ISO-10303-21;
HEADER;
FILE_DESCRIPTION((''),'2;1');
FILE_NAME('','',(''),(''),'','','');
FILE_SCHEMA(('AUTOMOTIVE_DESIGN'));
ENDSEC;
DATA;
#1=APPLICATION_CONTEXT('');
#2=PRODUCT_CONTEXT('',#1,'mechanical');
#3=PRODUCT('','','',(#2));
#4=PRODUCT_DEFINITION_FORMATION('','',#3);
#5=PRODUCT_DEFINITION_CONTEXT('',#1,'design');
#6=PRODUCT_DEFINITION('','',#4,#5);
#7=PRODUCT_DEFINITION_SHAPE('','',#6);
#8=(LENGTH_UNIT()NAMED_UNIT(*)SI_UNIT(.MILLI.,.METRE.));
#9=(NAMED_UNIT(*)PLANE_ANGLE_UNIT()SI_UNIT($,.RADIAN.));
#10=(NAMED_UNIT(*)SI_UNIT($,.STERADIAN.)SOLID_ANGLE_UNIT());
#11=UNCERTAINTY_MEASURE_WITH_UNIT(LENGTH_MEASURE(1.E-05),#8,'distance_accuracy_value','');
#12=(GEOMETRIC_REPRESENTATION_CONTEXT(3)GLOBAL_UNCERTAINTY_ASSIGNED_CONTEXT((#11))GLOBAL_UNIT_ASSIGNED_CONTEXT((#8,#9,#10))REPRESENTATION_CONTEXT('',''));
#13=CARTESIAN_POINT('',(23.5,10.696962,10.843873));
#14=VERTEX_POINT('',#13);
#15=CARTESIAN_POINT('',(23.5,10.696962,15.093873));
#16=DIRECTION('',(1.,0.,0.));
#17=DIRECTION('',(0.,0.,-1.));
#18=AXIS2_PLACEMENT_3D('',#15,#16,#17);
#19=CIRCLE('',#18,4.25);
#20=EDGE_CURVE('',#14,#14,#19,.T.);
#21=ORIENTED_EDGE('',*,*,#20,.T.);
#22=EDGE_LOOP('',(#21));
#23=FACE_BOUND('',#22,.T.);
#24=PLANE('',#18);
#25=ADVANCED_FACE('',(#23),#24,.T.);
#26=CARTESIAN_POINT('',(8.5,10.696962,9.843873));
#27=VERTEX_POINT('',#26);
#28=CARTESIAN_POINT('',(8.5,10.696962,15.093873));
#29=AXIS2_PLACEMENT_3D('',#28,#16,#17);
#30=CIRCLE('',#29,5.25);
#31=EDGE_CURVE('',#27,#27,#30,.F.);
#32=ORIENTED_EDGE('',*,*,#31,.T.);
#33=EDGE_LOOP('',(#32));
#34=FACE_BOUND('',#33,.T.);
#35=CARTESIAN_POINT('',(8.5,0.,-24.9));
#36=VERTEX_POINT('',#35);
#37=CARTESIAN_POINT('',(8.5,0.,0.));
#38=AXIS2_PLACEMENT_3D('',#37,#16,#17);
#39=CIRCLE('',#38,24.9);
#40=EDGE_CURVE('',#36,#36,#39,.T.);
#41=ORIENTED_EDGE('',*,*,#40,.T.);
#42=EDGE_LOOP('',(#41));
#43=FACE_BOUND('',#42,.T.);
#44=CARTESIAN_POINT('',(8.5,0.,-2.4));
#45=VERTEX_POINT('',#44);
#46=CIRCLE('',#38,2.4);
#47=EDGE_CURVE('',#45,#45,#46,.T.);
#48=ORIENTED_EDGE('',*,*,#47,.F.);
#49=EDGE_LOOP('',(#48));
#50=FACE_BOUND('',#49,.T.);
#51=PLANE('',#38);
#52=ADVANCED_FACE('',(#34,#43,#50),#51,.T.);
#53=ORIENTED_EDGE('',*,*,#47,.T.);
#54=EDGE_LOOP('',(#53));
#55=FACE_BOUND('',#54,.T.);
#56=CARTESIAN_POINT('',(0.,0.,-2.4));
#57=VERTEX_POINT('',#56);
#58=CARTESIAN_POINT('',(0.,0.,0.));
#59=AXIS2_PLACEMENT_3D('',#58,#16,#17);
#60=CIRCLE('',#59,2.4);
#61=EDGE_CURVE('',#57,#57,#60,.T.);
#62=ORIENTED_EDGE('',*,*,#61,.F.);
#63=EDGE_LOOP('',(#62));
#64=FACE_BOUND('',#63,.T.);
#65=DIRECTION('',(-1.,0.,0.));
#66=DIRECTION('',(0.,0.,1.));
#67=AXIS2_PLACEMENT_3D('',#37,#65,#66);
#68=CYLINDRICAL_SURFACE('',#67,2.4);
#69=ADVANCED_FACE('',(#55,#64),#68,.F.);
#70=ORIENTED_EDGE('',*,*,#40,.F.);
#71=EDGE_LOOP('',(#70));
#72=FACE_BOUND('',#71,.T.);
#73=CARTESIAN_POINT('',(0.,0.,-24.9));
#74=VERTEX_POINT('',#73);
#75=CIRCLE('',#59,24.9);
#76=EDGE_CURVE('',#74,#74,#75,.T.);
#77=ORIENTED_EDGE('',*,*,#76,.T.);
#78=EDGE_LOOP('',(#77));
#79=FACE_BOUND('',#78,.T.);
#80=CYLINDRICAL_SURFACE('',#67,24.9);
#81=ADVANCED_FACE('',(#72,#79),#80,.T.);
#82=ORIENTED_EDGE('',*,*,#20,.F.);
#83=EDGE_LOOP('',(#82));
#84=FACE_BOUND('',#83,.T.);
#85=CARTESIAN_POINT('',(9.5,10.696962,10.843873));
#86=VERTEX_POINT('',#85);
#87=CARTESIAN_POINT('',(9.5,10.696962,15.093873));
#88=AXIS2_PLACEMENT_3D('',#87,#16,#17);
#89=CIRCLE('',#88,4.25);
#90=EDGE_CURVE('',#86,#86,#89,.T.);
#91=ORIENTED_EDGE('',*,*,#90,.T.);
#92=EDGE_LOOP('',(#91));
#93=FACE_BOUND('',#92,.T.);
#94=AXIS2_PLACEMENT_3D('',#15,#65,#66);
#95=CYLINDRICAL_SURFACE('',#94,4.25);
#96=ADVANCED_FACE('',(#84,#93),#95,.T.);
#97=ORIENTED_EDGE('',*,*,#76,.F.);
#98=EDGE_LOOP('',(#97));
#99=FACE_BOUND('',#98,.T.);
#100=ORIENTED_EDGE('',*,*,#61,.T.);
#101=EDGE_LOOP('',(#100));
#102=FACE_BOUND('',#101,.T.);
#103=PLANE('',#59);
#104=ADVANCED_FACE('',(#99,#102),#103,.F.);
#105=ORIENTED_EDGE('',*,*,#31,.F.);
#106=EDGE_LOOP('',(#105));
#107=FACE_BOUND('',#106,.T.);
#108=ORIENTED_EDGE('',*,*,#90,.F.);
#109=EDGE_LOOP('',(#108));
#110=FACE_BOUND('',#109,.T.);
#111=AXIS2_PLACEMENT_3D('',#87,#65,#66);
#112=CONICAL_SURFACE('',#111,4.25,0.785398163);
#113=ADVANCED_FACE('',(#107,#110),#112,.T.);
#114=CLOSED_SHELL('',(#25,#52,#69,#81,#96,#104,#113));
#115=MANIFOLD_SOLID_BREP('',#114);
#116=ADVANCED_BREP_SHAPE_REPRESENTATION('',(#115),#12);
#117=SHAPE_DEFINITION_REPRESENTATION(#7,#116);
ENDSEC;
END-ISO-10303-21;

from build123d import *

# Parameters (mm, degrees)
CROQUIS1_R              = 24.9
CROQUIS1_R_2            = 2.4
SALIENTE_EXTRUIR1_DEPTH = 8.5
CROQUIS2_R              = 4.25
SALIENTE_EXTRUIR2_DEPTH = 15
CHAFL_N1_SIZE           = 1


with BuildPart() as part:
    # Croquis1 → Saliente-Extruir1 (new body)
    with BuildSketch(Plane(origin=(0, 0, 0), x_dir=(0, 0, -1), z_dir=(1, 0, 0))):
        Circle(CROQUIS1_R)
        Circle(CROQUIS1_R_2, mode=Mode.SUBTRACT)
    extrude(amount=SALIENTE_EXTRUIR1_DEPTH)

    # Croquis2 → Saliente-Extruir2 (add)
    with BuildSketch(Plane(origin=(8.5, 0, 0), x_dir=(0, 0, -1), z_dir=(1, 0, 0))):
        with Locations((-15.09387296, 10.696962141)):
            Circle(CROQUIS2_R)
    extrude(amount=SALIENTE_EXTRUIR2_DEPTH)

    # Chaflán1
    chafl_n1_edges = [part.edges().sort_by_distance(p)[0] for p in [
        (8.5, 10.696962141, 19.34387296),
    ]]
    chamfer(chafl_n1_edges, length=CHAFL_N1_SIZE)


solid = part.part
